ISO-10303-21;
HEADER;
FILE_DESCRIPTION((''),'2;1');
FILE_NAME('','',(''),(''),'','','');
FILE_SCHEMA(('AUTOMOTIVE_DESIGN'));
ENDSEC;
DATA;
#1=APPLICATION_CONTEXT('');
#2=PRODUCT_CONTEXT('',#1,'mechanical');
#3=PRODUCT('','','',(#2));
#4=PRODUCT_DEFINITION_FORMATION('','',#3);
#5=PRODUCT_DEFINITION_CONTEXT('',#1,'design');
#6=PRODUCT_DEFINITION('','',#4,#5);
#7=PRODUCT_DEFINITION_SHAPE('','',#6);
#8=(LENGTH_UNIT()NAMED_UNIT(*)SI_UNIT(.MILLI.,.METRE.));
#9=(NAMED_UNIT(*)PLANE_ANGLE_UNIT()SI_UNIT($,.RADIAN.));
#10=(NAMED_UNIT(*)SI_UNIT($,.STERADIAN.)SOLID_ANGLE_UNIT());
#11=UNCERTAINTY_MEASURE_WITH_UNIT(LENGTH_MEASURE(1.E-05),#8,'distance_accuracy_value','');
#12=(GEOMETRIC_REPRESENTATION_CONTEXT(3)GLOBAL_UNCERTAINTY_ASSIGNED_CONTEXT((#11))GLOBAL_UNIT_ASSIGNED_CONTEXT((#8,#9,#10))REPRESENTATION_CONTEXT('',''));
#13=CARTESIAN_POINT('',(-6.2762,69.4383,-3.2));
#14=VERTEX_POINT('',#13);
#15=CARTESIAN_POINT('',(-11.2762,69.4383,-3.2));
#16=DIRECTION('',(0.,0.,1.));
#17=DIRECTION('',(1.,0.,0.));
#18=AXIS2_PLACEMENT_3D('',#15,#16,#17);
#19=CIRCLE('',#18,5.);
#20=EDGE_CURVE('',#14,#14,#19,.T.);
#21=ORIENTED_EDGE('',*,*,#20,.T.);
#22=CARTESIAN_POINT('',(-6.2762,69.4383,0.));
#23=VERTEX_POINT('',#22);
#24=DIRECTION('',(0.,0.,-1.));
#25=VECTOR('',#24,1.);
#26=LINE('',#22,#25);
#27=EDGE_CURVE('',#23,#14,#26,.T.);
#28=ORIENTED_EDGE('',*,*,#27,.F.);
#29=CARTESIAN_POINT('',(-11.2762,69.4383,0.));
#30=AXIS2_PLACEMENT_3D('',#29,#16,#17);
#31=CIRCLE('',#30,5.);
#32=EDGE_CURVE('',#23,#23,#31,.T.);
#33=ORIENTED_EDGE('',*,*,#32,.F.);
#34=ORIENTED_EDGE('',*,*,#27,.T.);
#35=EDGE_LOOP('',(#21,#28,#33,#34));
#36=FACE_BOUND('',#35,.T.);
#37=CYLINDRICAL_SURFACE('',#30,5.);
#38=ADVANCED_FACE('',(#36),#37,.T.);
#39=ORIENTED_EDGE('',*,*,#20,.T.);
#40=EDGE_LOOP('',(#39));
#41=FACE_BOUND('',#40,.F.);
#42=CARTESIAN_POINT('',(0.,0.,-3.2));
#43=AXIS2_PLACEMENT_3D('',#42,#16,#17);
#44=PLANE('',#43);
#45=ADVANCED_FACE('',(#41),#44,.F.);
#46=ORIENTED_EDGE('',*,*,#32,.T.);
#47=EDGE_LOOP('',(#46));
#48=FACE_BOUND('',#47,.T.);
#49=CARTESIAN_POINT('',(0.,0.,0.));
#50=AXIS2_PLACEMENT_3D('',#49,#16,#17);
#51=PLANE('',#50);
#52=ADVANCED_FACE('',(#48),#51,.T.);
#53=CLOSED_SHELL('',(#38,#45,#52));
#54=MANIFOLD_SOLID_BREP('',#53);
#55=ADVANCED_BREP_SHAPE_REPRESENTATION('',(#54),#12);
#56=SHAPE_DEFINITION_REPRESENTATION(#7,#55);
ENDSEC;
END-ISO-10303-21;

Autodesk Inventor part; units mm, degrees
ref_plane "YZ Plane" through (0, 0, 0) normal (1, 0, 0) x (0, 1, 0)
ref_plane "XZ Plane" through (0, 0, 0) normal (0, 1, 0) x (-1, 0, 0)
ref_plane "XY Plane" through (0, 0, 0) normal (0, 0, 1) x (1, 0, 0)
sketch "Sketch1" plane through (0, 0, 0) normal (0, 0, 1) x (1, 0, 0)
  circle A0 centre (-11.2762, 69.4383) radius 5 projected
  circle A1 centre (-11.2762, 69.4383) radius 5
  point P0 (0, 0)
extrude "Extrusion1" add sketch "Sketch1" against normal blind 3.2
properties part number "Magnet"
